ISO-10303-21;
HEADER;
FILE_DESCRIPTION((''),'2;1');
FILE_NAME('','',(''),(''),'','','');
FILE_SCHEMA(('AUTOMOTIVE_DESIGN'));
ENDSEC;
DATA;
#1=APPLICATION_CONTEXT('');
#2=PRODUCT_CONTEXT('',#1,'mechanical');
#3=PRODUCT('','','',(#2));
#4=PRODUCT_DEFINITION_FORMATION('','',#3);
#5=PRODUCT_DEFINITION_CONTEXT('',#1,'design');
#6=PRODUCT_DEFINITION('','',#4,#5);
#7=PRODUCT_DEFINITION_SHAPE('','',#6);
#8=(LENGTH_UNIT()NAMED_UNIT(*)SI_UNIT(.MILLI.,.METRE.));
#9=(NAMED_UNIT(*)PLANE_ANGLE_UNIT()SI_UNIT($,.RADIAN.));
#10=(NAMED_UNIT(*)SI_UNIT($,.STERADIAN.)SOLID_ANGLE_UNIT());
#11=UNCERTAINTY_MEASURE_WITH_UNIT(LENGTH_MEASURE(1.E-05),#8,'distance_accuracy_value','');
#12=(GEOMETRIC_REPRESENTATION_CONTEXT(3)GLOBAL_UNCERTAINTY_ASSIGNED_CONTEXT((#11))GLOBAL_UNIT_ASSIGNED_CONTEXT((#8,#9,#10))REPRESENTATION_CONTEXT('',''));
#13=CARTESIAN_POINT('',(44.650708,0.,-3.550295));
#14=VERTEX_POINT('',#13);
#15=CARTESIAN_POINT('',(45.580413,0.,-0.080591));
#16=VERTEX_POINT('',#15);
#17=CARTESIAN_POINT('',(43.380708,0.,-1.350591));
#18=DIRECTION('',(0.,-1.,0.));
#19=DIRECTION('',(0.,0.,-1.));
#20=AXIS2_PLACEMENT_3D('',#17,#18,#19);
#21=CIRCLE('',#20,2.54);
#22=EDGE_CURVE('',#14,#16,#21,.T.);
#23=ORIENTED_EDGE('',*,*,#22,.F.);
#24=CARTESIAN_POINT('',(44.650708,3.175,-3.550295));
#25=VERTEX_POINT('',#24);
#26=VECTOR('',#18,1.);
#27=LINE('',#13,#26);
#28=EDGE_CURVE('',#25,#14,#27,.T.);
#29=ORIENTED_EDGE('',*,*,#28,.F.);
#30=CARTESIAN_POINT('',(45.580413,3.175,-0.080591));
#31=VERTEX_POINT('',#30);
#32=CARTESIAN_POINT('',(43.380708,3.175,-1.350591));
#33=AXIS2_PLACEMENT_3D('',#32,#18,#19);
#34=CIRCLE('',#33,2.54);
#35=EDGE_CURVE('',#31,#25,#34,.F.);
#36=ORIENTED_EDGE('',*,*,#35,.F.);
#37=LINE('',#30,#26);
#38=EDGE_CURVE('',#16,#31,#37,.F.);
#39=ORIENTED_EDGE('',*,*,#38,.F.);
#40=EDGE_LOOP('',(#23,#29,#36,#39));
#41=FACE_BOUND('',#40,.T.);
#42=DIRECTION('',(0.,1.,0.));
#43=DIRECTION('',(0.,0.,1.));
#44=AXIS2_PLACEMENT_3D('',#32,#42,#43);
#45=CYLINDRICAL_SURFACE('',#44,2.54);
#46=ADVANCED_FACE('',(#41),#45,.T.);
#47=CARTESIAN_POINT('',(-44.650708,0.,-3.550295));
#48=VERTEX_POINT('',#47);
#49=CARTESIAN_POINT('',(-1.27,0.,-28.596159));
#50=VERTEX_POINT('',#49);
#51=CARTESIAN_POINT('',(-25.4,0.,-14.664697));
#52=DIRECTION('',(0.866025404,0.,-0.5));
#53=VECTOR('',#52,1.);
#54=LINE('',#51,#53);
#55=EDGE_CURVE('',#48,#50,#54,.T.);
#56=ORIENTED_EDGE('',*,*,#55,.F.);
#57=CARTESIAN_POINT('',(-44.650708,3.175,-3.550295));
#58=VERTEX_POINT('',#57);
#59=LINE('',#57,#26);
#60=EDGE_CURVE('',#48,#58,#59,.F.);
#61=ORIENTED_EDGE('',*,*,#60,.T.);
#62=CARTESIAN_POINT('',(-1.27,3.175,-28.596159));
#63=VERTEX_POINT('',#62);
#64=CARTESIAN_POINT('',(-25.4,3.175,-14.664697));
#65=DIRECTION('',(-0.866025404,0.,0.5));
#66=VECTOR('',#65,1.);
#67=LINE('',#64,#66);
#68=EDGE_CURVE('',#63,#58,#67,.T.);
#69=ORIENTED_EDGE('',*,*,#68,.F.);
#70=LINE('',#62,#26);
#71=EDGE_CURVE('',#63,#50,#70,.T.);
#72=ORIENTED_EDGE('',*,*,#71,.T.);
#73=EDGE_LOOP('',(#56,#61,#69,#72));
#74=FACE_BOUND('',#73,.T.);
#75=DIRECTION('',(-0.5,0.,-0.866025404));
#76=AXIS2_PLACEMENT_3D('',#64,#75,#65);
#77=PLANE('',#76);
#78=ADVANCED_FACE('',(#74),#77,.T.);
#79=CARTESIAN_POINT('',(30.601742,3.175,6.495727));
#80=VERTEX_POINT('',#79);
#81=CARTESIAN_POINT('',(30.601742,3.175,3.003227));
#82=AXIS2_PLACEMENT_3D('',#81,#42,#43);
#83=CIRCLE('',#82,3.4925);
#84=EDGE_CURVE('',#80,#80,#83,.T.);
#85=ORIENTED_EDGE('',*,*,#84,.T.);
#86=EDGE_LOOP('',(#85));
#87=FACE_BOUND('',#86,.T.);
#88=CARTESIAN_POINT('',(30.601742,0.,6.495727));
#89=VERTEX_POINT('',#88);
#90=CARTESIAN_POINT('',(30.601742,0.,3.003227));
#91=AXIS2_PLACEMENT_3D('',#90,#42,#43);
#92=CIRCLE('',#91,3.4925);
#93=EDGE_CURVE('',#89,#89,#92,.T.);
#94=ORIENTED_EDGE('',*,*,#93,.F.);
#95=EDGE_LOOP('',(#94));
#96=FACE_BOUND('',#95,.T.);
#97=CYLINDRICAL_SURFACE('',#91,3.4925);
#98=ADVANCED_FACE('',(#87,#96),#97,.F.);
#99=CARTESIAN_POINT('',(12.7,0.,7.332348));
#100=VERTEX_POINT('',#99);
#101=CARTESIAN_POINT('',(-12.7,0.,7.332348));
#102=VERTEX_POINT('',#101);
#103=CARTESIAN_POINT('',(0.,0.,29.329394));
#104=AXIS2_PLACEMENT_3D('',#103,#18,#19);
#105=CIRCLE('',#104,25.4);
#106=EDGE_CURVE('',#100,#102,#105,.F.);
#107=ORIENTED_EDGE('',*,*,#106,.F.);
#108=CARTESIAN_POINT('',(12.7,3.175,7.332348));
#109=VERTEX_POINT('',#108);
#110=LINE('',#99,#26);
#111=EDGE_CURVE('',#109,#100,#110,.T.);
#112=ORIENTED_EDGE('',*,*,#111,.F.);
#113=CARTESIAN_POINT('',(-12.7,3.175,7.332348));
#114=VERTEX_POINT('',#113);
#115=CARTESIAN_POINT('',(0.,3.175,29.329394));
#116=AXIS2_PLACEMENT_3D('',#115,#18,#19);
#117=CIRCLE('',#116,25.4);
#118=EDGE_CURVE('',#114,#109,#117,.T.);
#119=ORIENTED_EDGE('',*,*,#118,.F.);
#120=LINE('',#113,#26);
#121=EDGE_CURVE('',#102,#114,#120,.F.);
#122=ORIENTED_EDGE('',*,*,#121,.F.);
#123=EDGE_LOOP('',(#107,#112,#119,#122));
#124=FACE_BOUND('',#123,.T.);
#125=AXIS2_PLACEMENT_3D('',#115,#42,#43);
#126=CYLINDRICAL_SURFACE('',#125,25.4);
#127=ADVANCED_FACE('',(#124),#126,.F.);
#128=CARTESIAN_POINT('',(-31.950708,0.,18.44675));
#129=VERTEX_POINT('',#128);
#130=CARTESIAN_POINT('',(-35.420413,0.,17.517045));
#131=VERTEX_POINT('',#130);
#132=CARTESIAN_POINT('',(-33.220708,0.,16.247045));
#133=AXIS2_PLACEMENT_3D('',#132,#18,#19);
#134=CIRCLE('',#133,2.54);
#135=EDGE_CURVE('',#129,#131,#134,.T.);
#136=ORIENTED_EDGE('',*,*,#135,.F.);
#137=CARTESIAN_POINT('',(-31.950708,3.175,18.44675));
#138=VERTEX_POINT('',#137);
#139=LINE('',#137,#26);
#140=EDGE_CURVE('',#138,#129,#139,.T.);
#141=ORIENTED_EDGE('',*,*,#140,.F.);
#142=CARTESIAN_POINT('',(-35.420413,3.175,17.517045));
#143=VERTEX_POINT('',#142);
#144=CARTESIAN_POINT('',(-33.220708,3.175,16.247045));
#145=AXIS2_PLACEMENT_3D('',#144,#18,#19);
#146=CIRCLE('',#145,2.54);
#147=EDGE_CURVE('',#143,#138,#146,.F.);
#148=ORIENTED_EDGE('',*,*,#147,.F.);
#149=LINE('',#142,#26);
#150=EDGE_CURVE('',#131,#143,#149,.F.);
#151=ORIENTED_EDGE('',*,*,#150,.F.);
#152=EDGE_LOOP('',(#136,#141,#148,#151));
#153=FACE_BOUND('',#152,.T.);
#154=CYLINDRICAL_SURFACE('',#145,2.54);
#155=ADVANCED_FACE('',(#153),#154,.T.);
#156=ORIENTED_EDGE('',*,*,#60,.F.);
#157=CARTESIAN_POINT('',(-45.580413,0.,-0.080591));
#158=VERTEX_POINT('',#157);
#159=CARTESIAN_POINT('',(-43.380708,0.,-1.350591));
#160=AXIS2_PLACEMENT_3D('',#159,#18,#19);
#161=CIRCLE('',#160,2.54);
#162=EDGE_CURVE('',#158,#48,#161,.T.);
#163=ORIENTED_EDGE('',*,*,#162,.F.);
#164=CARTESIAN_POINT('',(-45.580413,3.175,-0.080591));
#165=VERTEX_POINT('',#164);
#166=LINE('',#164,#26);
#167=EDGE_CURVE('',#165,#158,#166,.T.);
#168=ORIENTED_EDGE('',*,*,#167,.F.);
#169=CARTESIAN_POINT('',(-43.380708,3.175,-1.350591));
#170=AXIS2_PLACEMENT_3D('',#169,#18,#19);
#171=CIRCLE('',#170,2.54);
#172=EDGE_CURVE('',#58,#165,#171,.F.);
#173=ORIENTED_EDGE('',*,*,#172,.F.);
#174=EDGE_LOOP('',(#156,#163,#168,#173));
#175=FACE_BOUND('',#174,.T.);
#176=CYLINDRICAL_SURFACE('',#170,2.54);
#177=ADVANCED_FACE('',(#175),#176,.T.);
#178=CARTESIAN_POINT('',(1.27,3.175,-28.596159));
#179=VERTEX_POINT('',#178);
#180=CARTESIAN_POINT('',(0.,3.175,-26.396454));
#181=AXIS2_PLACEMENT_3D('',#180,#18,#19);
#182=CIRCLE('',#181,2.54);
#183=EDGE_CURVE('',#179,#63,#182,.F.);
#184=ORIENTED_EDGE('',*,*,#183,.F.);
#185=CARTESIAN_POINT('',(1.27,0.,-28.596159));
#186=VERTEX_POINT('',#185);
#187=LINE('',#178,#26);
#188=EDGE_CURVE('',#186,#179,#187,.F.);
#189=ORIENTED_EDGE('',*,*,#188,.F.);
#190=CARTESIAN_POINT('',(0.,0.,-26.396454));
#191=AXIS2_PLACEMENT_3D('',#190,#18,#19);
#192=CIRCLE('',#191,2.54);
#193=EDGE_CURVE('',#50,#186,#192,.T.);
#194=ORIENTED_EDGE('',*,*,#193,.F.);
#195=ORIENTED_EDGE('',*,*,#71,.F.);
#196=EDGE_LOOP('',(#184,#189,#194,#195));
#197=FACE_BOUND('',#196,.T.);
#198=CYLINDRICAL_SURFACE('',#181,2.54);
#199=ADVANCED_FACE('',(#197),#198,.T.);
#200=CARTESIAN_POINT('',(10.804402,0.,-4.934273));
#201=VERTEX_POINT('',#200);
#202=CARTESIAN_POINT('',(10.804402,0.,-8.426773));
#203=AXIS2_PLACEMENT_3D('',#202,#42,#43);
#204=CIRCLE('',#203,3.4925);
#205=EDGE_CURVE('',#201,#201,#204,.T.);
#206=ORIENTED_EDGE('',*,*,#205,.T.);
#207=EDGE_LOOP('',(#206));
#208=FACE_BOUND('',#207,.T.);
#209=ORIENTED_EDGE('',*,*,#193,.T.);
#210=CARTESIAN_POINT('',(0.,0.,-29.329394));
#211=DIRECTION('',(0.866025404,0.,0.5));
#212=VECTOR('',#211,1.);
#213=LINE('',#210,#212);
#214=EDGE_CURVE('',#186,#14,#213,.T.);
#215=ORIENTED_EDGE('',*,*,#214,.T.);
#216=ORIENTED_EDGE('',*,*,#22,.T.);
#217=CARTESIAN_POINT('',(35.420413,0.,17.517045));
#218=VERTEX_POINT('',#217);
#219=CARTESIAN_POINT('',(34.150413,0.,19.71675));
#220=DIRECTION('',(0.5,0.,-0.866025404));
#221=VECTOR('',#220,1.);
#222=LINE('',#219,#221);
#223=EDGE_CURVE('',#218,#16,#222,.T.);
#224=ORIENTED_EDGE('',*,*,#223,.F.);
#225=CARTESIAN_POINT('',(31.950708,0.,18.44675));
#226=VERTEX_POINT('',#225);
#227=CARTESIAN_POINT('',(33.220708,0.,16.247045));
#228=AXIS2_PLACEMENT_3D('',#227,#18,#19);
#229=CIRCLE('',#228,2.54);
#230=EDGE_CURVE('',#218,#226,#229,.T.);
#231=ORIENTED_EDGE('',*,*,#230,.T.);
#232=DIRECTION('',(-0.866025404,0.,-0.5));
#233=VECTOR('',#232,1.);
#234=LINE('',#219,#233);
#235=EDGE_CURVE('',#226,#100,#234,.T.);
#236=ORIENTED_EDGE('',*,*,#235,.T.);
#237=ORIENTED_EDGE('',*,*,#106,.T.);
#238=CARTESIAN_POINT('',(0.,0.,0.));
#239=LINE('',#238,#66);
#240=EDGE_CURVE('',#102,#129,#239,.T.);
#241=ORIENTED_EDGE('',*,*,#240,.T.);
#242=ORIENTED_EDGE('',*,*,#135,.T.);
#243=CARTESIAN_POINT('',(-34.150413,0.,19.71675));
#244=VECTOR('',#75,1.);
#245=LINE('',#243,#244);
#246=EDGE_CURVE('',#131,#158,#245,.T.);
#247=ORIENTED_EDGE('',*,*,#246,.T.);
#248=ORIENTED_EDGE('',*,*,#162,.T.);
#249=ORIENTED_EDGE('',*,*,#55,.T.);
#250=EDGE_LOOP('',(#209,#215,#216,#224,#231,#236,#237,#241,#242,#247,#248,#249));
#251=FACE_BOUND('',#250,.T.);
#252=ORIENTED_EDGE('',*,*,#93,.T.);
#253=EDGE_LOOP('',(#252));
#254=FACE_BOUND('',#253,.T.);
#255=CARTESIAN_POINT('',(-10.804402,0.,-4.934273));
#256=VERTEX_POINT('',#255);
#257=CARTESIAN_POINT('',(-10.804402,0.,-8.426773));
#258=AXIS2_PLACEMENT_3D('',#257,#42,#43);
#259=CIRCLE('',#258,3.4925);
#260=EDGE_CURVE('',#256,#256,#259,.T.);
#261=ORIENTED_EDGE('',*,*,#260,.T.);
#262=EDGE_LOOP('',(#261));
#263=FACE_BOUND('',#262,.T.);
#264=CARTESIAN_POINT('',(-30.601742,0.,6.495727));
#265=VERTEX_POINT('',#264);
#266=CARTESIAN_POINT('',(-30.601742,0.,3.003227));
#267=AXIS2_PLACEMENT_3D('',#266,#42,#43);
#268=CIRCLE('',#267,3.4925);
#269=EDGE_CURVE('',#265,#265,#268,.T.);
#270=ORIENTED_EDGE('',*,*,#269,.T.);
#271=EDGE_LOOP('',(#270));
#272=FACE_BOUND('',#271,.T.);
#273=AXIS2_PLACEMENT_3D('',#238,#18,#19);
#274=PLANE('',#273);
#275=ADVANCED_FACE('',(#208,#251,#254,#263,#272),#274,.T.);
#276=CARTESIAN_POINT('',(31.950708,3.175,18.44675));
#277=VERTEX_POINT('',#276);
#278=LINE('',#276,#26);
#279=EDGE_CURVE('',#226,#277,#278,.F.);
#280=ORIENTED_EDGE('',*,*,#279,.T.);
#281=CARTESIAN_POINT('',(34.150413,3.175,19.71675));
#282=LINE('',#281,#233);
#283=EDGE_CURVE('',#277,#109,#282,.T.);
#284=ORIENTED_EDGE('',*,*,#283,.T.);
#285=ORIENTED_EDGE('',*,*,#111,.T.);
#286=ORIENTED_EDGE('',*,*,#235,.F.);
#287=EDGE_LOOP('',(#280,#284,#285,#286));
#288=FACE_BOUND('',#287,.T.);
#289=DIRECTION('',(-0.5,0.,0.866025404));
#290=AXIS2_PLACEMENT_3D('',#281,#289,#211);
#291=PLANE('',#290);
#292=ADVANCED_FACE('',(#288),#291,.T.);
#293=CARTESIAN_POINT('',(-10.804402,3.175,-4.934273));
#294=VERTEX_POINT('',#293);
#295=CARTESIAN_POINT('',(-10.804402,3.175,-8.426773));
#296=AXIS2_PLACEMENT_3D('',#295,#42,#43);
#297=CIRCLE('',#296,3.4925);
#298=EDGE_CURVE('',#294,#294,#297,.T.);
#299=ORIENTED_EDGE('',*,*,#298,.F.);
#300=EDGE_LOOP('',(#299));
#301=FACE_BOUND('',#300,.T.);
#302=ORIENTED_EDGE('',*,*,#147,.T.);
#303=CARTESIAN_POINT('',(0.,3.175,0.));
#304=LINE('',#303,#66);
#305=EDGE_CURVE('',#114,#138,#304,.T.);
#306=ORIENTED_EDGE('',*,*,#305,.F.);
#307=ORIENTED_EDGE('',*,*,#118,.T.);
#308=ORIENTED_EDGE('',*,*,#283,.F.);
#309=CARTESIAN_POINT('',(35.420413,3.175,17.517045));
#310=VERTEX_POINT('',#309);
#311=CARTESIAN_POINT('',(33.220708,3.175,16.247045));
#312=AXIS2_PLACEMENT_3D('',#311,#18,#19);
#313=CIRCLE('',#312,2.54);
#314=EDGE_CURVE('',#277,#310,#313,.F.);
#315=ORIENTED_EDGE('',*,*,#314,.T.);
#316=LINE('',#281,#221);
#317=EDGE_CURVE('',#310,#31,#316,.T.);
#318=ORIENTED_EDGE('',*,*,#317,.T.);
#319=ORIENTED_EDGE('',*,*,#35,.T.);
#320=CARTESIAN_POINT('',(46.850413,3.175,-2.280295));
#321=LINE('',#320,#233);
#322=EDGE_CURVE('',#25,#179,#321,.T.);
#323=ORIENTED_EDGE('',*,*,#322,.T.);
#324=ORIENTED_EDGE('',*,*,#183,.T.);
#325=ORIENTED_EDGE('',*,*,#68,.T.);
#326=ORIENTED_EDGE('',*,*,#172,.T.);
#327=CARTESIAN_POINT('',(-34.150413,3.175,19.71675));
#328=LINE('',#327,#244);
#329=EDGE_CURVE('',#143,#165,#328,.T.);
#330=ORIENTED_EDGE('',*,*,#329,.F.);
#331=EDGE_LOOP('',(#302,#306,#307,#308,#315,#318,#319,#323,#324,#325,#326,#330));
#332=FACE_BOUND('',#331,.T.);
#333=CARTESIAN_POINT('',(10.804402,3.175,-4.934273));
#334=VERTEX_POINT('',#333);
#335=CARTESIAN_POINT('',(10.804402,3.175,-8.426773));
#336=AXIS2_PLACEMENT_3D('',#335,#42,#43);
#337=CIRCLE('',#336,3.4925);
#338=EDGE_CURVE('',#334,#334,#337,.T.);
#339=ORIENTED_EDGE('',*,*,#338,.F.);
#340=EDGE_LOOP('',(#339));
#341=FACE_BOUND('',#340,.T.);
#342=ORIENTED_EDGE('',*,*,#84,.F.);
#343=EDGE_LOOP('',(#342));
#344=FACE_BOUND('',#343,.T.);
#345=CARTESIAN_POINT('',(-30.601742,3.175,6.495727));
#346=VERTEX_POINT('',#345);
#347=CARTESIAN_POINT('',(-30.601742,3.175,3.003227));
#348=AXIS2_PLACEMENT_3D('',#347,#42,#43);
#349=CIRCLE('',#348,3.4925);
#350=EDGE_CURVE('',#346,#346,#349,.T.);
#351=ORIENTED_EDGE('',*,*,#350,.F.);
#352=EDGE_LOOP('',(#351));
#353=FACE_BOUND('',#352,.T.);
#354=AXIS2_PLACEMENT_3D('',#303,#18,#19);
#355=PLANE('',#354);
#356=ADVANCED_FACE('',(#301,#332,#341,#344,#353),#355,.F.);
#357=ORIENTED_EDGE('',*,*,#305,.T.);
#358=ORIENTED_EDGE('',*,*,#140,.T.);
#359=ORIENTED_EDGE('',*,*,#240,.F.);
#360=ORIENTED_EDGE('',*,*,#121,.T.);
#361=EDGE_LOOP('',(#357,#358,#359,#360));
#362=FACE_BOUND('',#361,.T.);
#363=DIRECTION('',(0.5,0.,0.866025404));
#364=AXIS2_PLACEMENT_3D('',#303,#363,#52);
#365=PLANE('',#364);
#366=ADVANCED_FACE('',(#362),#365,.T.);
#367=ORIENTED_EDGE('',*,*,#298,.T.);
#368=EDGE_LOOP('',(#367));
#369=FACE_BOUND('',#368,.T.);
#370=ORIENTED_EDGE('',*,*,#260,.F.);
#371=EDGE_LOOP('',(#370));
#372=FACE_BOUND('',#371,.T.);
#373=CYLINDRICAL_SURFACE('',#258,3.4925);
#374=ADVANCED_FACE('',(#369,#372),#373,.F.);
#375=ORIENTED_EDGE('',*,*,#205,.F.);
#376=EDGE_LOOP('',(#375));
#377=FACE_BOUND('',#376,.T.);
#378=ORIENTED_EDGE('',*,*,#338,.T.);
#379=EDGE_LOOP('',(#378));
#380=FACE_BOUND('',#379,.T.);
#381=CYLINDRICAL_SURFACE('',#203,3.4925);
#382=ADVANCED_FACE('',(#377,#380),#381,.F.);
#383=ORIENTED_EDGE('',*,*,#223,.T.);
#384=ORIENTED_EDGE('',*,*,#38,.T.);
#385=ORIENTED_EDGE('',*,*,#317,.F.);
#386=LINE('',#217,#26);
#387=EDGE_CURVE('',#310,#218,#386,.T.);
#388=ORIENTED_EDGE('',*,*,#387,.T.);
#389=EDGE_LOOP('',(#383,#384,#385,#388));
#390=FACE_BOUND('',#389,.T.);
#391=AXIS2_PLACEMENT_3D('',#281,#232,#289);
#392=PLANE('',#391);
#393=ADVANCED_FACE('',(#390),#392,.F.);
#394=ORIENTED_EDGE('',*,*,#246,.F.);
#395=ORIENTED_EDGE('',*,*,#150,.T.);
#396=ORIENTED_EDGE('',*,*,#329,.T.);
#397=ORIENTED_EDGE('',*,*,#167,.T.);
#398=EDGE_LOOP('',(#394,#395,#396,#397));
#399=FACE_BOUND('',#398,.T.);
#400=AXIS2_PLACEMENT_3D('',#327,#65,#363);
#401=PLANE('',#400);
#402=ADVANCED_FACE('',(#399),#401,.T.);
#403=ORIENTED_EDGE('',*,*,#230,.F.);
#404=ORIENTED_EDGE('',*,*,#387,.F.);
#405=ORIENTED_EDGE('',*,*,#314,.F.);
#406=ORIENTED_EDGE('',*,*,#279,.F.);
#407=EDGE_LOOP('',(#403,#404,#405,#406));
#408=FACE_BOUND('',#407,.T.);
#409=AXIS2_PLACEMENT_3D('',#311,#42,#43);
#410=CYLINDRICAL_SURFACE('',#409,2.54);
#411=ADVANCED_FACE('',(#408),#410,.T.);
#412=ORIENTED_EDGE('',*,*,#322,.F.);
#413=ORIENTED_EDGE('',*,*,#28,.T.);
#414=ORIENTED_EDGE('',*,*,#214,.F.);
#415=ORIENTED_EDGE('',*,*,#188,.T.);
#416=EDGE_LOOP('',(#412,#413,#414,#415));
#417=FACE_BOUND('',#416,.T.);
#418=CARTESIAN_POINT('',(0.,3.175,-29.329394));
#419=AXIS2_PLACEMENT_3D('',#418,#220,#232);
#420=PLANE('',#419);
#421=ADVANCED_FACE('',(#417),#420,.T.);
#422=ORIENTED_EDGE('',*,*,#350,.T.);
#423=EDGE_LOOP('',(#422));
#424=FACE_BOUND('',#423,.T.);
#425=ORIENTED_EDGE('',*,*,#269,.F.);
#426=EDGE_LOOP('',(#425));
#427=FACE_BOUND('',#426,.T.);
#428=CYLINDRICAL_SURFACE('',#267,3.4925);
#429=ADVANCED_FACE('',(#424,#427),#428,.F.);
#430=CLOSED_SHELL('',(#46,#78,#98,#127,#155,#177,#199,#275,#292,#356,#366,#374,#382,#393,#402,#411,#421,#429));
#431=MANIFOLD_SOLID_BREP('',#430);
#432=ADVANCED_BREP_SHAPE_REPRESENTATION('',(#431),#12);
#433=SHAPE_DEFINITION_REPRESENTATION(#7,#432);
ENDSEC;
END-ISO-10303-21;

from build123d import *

# Parameters (mm, degrees)
BOSS_EXTRUDE1_DEPTH = 3.175
SKETCH2_R           = 3.4925
CUT_EXTRUDE2_DEPTH  = 3.175
LPATTERN5_COUNT     = 2
LPATTERN5_PITCH     = 22.86
SKETCH7_R           = 3.4925
CUT_EXTRUDE3_DEPTH  = 3.175
LPATTERN6_COUNT     = 2
LPATTERN6_PITCH     = 22.86
FILLET1_R           = 2.54
FILLET2_R           = 25.4


with BuildPart() as part:
    # Sketch1 → Boss-Extrude1 (new body)
    with BuildSketch(Plane(origin=(0, 0, 0), x_dir=(1, 0, 0), z_dir=(0, 1, 0))):
        Polygon((-25.4, 14.664696837), (0, 29.329393675), (25.4, 14.664696837), (46.85041276, 2.280295256), (34.15041276, -19.71675), (0, 0), (-34.15041276, -19.71675), (-46.85041276, 2.280295256), align=None)
    extrude(amount=BOSS_EXTRUDE1_DEPTH)

    # Sketch2 → Cut-Extrude2 (cut)
    with BuildSketch(Plane(origin=(0, 3.175, 0), x_dir=(1, 0, 0), z_dir=(0, 1, 0))):
        with Locations((-30.601742395, -3.003227372)):
            Circle(SKETCH2_R)
    cut_extrude2 = extrude(amount=-CUT_EXTRUDE2_DEPTH, mode=Mode.SUBTRACT)

    # LPattern5: Cut-Extrude2 ×2
    with Locations(*[Vector(0.8660254037844386, 0, -0.5000000000000003) * (i * LPATTERN5_PITCH) for i in range(1, LPATTERN5_COUNT)]):
        add(cut_extrude2, mode=Mode.SUBTRACT)

    # Sketch7 → Cut-Extrude3 (cut)
    with BuildSketch(Plane(origin=(0, 3.175, 0), x_dir=(1, 0, 0), z_dir=(0, 1, 0))):
        with Locations((30.601742395, -3.003227372)):
            Circle(SKETCH7_R)
    cut_extrude3 = extrude(amount=-CUT_EXTRUDE3_DEPTH, mode=Mode.SUBTRACT)

    # LPattern6: Cut-Extrude3 ×2
    with Locations(*[Vector(-0.8660254037844375, 0, -0.5000000000000022) * (i * LPATTERN6_PITCH) for i in range(1, LPATTERN6_COUNT)]):
        add(cut_extrude3, mode=Mode.SUBTRACT)

    # Fillet1
    fillet1_edges = [part.edges().sort_by_distance(p)[0] for p in [
        (0, 1.5875, -29.329393675),
        (46.85041276, 1.5875, -2.280295256),
        (34.15041276, 1.5875, 19.71675),
        (-46.85041276, 1.5875, -2.280295256),
        (-34.15041276, 1.5875, 19.71675),
    ]]
    fillet(fillet1_edges, radius=FILLET1_R)

    # Fillet2
    fillet2_edges = [part.edges().sort_by_distance(p)[0] for p in [
        (0, 1.5875, 0),
    ]]
    fillet(fillet2_edges, radius=FILLET2_R)


solid = part.part
